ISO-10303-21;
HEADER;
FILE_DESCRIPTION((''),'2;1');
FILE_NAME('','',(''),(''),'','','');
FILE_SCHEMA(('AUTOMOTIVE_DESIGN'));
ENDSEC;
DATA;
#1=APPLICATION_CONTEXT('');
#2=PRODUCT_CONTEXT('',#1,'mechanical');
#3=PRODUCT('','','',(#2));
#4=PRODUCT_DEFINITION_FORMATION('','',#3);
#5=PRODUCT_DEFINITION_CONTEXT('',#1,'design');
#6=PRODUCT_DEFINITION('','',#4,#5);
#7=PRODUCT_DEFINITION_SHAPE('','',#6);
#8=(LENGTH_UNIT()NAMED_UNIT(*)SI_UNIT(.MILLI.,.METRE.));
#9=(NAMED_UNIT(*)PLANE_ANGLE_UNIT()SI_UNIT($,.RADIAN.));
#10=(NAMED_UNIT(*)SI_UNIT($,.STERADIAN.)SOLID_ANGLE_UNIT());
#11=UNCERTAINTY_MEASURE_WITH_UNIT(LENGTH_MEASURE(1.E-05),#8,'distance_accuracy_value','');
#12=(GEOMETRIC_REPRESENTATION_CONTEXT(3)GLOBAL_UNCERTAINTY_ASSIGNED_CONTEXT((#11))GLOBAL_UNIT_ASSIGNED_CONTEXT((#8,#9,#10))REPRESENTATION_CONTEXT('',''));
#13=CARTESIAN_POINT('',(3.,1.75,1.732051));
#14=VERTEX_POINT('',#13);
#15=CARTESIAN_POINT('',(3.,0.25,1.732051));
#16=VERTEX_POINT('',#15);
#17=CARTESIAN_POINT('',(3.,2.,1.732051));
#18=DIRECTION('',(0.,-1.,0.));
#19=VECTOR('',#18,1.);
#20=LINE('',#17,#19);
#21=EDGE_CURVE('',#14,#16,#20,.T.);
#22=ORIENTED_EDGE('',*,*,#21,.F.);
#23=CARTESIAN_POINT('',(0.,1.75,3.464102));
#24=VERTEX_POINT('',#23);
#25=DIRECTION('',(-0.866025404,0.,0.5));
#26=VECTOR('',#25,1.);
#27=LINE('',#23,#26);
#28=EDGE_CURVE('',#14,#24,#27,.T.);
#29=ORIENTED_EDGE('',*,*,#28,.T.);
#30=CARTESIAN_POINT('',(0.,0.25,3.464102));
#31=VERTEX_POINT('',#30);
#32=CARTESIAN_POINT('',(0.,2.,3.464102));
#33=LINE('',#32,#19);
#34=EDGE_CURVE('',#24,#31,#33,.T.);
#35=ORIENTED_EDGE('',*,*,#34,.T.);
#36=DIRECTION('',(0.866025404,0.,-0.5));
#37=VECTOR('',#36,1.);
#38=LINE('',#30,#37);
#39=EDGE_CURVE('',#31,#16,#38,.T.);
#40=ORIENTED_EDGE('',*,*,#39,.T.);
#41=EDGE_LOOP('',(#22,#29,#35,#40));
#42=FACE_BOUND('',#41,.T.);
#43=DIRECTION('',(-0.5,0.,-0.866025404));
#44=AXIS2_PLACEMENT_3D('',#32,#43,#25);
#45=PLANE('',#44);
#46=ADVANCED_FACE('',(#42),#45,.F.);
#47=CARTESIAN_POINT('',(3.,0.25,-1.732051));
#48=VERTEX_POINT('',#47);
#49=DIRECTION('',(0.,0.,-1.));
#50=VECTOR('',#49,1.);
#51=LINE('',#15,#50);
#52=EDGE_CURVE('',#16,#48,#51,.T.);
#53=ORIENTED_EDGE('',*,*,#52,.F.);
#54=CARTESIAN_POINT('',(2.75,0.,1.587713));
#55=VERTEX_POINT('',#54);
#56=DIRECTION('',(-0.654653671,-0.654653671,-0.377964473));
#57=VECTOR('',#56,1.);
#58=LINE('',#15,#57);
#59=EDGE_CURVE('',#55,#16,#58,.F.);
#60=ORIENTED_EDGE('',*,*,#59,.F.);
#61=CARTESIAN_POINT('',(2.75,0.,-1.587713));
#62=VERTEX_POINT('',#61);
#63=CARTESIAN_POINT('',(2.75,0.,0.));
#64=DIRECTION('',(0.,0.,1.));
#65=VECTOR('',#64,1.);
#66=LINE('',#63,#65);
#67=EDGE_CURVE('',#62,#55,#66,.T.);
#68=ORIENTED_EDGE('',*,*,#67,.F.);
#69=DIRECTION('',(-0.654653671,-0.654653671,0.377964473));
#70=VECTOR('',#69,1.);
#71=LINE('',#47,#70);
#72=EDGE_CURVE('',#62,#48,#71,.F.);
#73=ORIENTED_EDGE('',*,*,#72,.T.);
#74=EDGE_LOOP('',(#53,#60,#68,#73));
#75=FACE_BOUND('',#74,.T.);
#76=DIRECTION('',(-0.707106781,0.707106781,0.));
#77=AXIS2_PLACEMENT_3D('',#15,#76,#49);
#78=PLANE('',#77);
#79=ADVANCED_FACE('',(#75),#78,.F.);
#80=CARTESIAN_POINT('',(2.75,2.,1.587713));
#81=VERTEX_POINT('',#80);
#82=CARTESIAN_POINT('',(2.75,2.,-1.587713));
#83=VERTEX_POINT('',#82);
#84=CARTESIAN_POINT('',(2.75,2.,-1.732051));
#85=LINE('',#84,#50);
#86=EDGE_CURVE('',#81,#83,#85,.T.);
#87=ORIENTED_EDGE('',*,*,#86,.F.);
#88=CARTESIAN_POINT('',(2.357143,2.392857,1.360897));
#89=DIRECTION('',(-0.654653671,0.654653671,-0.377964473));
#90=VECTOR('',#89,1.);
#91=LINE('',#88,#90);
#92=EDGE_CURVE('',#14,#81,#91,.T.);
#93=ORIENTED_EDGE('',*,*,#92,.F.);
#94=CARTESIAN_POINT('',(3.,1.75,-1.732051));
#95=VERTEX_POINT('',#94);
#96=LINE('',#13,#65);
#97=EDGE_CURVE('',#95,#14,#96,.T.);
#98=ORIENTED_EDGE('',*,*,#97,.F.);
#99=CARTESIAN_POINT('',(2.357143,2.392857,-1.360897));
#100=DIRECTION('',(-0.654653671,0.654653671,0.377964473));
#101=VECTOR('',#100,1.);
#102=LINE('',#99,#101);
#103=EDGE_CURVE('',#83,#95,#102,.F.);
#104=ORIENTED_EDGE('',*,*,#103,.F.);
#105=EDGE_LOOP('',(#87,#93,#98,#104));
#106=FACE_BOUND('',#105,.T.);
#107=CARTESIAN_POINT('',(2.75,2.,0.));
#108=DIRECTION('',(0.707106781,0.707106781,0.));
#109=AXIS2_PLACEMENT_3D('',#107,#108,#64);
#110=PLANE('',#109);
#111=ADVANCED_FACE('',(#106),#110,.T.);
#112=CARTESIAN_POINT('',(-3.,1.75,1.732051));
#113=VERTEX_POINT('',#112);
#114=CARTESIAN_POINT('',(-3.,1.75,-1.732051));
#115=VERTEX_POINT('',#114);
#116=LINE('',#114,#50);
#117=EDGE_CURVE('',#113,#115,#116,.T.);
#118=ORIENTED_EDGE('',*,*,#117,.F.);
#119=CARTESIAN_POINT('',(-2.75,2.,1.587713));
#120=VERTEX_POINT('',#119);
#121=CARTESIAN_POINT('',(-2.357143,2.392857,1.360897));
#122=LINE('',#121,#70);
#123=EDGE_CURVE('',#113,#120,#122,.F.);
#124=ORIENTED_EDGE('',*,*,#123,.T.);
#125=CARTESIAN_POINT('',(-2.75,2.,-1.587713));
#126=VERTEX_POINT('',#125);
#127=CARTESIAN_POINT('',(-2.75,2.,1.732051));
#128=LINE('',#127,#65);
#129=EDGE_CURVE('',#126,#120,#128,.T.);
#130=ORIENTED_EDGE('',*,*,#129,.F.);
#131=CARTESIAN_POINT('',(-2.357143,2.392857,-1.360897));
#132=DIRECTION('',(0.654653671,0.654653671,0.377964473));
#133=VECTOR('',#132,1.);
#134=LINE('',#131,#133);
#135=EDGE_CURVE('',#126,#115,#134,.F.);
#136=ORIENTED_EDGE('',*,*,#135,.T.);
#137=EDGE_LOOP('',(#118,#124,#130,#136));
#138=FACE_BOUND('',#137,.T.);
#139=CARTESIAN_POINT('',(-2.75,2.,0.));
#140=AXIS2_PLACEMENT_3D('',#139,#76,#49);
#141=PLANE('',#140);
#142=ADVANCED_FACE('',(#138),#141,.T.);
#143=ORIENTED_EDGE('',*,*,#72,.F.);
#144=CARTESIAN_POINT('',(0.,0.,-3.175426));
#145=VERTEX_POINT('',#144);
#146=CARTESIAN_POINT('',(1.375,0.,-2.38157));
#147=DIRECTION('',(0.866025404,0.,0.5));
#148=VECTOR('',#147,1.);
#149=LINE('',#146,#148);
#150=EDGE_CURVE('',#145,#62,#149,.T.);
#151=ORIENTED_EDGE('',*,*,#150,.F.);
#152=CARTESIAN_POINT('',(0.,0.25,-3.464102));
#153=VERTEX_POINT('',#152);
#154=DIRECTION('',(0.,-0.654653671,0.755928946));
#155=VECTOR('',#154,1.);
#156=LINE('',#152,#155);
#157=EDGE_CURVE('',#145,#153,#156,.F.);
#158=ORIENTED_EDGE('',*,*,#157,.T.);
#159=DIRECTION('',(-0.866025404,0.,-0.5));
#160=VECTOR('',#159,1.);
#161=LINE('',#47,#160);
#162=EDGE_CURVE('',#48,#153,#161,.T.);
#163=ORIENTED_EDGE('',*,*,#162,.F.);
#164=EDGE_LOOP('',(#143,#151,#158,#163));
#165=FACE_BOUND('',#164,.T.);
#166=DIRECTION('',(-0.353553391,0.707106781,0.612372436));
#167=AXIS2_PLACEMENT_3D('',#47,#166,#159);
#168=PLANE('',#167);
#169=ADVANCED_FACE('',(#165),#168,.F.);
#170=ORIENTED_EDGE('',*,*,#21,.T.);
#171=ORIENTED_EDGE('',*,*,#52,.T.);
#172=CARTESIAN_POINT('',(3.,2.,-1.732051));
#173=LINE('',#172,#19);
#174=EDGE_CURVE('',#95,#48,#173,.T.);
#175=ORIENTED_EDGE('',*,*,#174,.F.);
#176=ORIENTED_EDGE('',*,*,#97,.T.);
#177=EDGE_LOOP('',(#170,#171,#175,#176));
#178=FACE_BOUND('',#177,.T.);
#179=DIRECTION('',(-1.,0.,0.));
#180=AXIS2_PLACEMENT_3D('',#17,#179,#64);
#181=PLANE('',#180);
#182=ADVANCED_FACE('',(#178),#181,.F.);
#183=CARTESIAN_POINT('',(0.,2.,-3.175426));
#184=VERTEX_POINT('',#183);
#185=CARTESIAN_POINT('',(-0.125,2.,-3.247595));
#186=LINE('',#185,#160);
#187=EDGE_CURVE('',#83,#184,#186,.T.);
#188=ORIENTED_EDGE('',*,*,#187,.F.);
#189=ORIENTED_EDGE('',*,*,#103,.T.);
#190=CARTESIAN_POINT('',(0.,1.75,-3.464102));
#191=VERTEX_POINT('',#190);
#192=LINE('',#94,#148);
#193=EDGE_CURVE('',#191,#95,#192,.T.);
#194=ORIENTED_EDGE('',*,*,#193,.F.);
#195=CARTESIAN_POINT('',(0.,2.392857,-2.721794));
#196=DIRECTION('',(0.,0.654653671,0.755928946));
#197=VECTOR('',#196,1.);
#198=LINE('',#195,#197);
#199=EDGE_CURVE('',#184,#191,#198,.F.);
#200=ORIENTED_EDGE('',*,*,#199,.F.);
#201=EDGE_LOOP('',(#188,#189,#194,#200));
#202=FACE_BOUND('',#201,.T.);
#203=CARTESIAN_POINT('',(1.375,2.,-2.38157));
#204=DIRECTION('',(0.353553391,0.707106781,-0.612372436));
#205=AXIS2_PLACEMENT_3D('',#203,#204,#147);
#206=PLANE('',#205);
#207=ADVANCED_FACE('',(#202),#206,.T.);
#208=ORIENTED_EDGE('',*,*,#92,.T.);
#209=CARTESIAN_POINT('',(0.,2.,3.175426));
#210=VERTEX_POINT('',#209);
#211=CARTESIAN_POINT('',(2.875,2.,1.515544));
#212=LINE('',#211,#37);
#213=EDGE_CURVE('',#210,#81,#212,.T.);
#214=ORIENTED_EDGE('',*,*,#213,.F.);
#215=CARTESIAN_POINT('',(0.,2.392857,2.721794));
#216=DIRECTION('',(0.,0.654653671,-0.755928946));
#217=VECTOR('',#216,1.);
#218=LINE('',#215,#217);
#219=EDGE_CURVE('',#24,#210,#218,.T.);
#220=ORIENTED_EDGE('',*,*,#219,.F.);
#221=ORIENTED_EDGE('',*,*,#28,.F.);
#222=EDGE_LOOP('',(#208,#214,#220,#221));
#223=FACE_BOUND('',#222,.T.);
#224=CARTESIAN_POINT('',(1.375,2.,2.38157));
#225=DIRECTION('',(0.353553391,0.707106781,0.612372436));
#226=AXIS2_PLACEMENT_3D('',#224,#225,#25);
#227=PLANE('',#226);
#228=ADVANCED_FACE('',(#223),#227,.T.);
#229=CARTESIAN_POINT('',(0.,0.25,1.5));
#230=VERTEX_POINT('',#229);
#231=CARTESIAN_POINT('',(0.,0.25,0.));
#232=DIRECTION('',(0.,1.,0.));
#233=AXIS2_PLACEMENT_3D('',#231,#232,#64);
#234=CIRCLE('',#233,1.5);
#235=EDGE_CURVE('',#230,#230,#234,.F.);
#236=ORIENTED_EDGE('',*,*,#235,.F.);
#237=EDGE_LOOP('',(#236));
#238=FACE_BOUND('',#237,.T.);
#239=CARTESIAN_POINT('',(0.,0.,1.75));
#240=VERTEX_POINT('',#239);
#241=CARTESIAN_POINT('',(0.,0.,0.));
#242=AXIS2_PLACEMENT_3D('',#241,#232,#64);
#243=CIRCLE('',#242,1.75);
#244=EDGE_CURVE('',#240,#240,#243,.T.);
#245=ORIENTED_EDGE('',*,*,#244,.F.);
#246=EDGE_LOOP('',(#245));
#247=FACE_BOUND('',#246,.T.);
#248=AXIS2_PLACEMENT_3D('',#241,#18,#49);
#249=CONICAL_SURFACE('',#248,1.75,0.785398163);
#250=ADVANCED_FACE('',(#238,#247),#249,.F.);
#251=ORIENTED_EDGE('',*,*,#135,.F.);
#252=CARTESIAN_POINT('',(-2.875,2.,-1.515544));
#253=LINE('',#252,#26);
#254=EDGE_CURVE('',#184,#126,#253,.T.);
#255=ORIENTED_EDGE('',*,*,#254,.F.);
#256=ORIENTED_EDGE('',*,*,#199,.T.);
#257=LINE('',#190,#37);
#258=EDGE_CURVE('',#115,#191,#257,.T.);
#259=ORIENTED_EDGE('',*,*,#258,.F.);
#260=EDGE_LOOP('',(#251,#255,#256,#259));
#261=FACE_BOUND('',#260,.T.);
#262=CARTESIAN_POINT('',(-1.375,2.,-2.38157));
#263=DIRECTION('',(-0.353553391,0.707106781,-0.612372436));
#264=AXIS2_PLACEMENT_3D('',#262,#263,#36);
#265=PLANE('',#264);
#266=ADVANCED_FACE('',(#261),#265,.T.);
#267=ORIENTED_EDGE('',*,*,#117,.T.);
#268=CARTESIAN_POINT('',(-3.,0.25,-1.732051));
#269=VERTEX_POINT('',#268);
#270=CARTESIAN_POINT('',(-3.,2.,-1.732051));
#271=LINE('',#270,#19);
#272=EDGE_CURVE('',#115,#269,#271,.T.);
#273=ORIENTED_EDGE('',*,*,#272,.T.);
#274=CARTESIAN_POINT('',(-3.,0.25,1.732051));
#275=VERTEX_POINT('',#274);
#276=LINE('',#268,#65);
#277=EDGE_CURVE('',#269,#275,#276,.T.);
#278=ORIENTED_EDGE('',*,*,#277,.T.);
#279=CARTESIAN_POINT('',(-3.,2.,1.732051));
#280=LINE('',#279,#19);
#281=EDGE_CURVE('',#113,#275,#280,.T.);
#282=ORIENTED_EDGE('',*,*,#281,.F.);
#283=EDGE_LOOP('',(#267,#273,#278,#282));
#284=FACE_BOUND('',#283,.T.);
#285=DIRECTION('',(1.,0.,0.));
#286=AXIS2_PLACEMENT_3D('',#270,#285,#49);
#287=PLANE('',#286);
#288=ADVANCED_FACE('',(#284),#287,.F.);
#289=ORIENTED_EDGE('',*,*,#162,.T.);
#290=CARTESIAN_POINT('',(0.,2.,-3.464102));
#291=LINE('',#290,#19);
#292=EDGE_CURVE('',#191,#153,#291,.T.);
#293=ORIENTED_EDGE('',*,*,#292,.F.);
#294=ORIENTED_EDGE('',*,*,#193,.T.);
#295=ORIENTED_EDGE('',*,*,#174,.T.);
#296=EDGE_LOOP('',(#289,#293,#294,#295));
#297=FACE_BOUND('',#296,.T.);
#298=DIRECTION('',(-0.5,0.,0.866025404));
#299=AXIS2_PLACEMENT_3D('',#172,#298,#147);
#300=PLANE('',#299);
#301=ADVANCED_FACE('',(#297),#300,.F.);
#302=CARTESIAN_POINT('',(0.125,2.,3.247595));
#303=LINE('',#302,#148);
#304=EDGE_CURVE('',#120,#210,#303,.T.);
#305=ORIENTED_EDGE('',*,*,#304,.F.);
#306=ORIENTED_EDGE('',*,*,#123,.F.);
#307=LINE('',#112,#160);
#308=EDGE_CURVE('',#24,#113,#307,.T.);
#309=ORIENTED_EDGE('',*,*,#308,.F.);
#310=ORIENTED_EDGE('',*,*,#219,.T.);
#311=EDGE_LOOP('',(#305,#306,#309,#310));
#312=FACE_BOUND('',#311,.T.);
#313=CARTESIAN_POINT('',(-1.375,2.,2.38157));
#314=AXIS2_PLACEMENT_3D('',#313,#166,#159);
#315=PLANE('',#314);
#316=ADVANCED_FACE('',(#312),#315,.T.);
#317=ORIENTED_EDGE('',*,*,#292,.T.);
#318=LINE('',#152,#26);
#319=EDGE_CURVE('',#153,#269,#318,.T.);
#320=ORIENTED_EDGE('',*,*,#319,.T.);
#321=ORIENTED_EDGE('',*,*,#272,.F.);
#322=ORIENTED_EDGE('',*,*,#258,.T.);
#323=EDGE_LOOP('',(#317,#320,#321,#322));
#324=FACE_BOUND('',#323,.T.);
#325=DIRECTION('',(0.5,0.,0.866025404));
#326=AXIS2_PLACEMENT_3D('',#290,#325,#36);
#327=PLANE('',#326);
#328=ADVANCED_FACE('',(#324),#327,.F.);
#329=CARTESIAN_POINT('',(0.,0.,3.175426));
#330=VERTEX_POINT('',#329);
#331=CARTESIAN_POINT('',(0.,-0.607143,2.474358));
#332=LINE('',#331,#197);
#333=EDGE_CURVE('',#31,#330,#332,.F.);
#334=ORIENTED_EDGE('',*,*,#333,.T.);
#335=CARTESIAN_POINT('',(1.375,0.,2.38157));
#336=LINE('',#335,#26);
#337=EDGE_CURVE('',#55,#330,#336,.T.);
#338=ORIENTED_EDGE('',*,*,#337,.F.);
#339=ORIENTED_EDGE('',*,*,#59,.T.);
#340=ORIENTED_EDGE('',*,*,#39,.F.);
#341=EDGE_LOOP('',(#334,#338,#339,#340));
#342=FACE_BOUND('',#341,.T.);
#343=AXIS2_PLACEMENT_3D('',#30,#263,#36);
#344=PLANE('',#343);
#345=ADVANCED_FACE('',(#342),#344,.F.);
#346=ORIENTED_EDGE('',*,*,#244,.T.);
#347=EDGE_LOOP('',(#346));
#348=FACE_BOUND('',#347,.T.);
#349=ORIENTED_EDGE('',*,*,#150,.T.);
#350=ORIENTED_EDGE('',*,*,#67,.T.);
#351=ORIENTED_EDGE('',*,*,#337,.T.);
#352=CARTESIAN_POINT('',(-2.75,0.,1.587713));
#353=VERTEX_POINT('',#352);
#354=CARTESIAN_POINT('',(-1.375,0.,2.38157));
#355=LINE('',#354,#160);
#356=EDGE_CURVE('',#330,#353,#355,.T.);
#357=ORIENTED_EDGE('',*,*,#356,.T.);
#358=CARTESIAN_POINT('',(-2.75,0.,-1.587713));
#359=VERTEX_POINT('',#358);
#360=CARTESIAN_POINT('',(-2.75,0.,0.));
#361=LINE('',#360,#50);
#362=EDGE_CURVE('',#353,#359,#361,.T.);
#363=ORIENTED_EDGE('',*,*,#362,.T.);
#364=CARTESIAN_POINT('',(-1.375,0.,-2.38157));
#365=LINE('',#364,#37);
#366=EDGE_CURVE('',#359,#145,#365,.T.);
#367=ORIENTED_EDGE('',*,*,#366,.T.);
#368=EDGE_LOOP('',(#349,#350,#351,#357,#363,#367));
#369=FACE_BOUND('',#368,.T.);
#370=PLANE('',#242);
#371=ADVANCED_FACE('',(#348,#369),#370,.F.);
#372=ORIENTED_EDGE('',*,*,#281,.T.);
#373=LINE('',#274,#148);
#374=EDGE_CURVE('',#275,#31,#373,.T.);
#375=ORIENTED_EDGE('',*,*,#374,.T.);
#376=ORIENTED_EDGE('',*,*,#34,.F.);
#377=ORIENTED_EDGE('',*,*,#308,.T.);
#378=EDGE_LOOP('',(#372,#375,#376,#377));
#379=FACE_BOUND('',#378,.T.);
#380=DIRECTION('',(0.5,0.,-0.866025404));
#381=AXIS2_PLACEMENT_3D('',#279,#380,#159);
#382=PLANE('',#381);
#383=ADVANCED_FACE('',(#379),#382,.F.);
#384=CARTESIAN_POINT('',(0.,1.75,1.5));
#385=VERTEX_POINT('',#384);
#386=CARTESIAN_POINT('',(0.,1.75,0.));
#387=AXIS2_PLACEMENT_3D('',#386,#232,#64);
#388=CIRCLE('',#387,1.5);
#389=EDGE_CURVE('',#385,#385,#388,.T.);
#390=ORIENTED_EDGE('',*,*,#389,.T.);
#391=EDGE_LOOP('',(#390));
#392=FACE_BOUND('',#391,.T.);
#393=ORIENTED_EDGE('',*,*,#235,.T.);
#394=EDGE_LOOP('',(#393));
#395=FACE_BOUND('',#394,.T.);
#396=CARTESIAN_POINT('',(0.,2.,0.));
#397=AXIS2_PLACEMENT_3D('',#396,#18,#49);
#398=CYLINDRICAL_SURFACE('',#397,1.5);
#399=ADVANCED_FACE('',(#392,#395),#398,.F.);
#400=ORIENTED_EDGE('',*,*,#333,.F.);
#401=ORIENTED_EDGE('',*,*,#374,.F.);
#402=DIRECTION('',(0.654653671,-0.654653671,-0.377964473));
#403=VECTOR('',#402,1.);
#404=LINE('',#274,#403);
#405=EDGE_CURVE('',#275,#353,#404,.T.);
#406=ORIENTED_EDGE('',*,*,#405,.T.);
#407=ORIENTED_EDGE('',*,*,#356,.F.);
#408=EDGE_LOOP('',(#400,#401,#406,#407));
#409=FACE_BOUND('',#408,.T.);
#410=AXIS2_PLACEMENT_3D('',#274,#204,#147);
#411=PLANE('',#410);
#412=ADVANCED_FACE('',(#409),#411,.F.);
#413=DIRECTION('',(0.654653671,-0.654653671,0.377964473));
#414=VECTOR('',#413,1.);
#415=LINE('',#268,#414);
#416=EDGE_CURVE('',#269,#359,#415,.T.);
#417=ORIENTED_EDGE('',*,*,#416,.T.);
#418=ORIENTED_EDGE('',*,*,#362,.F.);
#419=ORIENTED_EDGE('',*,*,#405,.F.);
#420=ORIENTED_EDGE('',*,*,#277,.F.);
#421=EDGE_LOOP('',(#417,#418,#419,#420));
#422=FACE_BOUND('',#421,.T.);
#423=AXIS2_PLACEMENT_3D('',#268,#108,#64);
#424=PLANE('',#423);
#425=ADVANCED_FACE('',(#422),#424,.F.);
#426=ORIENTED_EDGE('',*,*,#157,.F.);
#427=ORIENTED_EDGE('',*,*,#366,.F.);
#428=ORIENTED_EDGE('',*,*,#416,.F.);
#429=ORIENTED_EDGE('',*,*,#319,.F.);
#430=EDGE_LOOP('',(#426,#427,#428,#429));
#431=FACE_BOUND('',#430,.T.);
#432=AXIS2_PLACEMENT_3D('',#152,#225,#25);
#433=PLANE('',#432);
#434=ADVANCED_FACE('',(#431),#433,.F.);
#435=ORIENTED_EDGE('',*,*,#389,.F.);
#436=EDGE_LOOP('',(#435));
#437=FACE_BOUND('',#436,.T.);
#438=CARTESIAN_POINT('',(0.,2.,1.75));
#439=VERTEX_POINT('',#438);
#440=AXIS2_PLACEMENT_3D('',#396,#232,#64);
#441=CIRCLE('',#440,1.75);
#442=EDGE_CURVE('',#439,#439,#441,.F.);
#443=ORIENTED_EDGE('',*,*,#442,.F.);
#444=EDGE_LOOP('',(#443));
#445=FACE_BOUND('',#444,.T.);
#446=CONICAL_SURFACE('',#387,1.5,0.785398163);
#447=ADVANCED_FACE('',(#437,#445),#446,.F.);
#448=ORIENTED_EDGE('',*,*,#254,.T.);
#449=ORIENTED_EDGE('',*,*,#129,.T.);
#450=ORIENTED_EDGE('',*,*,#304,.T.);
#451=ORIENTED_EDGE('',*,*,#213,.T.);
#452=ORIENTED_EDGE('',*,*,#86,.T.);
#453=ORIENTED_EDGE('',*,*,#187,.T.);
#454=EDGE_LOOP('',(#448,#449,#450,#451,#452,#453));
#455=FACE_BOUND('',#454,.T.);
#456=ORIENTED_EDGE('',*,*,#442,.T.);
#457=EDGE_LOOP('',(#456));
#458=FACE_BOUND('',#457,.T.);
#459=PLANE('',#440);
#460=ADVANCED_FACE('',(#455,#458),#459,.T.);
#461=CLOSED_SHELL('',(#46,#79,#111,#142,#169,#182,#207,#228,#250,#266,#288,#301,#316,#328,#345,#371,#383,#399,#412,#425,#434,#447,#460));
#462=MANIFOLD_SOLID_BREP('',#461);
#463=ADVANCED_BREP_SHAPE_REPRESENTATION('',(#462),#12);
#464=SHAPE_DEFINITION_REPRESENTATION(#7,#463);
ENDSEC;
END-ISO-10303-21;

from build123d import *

# Parameters (mm, degrees)
SKETCH1_R           = 1.5
BOSS_EXTRUDE1_DEPTH = 2
CHAMFER1_SIZE       = 0.25


with BuildPart() as part:
    # Sketch1 → Boss-Extrude1 (new body)
    with BuildSketch(Plane(origin=(0, 0, 0), x_dir=(1, 0, 0), z_dir=(0, 1, 0))):
        Polygon((0, -3.464101615), (3, -1.732050808), (3, 1.732050808), (0, 3.464101615), (-3, 1.732050808), (-3, -1.732050808), align=None)
        Circle(SKETCH1_R, mode=Mode.SUBTRACT)
    extrude(amount=BOSS_EXTRUDE1_DEPTH)

    # Chamfer1
    chamfer1_edges = [part.edges().sort_by_distance(p)[0] for p in [
        (3, 2, 0),
        (1.5, 2, -2.598076211),
        (-1.5, 0, 0),
        (-1.5, 2, 0),
        (-1.5, 2, -2.598076211),
        (-3, 2, 0),
        (-1.5, 2, 2.598076211),
        (-3, 0, 0),
        (-1.5, 0, -2.598076211),
        (1.5, 0, -2.598076211),
        (3, 0, 0),
        (1.5, 0, 2.598076211),
        (-1.5, 0, 2.598076211),
        (1.5, 2, 2.598076211),
    ]]
    chamfer(chamfer1_edges, length=CHAMFER1_SIZE)


solid = part.part
